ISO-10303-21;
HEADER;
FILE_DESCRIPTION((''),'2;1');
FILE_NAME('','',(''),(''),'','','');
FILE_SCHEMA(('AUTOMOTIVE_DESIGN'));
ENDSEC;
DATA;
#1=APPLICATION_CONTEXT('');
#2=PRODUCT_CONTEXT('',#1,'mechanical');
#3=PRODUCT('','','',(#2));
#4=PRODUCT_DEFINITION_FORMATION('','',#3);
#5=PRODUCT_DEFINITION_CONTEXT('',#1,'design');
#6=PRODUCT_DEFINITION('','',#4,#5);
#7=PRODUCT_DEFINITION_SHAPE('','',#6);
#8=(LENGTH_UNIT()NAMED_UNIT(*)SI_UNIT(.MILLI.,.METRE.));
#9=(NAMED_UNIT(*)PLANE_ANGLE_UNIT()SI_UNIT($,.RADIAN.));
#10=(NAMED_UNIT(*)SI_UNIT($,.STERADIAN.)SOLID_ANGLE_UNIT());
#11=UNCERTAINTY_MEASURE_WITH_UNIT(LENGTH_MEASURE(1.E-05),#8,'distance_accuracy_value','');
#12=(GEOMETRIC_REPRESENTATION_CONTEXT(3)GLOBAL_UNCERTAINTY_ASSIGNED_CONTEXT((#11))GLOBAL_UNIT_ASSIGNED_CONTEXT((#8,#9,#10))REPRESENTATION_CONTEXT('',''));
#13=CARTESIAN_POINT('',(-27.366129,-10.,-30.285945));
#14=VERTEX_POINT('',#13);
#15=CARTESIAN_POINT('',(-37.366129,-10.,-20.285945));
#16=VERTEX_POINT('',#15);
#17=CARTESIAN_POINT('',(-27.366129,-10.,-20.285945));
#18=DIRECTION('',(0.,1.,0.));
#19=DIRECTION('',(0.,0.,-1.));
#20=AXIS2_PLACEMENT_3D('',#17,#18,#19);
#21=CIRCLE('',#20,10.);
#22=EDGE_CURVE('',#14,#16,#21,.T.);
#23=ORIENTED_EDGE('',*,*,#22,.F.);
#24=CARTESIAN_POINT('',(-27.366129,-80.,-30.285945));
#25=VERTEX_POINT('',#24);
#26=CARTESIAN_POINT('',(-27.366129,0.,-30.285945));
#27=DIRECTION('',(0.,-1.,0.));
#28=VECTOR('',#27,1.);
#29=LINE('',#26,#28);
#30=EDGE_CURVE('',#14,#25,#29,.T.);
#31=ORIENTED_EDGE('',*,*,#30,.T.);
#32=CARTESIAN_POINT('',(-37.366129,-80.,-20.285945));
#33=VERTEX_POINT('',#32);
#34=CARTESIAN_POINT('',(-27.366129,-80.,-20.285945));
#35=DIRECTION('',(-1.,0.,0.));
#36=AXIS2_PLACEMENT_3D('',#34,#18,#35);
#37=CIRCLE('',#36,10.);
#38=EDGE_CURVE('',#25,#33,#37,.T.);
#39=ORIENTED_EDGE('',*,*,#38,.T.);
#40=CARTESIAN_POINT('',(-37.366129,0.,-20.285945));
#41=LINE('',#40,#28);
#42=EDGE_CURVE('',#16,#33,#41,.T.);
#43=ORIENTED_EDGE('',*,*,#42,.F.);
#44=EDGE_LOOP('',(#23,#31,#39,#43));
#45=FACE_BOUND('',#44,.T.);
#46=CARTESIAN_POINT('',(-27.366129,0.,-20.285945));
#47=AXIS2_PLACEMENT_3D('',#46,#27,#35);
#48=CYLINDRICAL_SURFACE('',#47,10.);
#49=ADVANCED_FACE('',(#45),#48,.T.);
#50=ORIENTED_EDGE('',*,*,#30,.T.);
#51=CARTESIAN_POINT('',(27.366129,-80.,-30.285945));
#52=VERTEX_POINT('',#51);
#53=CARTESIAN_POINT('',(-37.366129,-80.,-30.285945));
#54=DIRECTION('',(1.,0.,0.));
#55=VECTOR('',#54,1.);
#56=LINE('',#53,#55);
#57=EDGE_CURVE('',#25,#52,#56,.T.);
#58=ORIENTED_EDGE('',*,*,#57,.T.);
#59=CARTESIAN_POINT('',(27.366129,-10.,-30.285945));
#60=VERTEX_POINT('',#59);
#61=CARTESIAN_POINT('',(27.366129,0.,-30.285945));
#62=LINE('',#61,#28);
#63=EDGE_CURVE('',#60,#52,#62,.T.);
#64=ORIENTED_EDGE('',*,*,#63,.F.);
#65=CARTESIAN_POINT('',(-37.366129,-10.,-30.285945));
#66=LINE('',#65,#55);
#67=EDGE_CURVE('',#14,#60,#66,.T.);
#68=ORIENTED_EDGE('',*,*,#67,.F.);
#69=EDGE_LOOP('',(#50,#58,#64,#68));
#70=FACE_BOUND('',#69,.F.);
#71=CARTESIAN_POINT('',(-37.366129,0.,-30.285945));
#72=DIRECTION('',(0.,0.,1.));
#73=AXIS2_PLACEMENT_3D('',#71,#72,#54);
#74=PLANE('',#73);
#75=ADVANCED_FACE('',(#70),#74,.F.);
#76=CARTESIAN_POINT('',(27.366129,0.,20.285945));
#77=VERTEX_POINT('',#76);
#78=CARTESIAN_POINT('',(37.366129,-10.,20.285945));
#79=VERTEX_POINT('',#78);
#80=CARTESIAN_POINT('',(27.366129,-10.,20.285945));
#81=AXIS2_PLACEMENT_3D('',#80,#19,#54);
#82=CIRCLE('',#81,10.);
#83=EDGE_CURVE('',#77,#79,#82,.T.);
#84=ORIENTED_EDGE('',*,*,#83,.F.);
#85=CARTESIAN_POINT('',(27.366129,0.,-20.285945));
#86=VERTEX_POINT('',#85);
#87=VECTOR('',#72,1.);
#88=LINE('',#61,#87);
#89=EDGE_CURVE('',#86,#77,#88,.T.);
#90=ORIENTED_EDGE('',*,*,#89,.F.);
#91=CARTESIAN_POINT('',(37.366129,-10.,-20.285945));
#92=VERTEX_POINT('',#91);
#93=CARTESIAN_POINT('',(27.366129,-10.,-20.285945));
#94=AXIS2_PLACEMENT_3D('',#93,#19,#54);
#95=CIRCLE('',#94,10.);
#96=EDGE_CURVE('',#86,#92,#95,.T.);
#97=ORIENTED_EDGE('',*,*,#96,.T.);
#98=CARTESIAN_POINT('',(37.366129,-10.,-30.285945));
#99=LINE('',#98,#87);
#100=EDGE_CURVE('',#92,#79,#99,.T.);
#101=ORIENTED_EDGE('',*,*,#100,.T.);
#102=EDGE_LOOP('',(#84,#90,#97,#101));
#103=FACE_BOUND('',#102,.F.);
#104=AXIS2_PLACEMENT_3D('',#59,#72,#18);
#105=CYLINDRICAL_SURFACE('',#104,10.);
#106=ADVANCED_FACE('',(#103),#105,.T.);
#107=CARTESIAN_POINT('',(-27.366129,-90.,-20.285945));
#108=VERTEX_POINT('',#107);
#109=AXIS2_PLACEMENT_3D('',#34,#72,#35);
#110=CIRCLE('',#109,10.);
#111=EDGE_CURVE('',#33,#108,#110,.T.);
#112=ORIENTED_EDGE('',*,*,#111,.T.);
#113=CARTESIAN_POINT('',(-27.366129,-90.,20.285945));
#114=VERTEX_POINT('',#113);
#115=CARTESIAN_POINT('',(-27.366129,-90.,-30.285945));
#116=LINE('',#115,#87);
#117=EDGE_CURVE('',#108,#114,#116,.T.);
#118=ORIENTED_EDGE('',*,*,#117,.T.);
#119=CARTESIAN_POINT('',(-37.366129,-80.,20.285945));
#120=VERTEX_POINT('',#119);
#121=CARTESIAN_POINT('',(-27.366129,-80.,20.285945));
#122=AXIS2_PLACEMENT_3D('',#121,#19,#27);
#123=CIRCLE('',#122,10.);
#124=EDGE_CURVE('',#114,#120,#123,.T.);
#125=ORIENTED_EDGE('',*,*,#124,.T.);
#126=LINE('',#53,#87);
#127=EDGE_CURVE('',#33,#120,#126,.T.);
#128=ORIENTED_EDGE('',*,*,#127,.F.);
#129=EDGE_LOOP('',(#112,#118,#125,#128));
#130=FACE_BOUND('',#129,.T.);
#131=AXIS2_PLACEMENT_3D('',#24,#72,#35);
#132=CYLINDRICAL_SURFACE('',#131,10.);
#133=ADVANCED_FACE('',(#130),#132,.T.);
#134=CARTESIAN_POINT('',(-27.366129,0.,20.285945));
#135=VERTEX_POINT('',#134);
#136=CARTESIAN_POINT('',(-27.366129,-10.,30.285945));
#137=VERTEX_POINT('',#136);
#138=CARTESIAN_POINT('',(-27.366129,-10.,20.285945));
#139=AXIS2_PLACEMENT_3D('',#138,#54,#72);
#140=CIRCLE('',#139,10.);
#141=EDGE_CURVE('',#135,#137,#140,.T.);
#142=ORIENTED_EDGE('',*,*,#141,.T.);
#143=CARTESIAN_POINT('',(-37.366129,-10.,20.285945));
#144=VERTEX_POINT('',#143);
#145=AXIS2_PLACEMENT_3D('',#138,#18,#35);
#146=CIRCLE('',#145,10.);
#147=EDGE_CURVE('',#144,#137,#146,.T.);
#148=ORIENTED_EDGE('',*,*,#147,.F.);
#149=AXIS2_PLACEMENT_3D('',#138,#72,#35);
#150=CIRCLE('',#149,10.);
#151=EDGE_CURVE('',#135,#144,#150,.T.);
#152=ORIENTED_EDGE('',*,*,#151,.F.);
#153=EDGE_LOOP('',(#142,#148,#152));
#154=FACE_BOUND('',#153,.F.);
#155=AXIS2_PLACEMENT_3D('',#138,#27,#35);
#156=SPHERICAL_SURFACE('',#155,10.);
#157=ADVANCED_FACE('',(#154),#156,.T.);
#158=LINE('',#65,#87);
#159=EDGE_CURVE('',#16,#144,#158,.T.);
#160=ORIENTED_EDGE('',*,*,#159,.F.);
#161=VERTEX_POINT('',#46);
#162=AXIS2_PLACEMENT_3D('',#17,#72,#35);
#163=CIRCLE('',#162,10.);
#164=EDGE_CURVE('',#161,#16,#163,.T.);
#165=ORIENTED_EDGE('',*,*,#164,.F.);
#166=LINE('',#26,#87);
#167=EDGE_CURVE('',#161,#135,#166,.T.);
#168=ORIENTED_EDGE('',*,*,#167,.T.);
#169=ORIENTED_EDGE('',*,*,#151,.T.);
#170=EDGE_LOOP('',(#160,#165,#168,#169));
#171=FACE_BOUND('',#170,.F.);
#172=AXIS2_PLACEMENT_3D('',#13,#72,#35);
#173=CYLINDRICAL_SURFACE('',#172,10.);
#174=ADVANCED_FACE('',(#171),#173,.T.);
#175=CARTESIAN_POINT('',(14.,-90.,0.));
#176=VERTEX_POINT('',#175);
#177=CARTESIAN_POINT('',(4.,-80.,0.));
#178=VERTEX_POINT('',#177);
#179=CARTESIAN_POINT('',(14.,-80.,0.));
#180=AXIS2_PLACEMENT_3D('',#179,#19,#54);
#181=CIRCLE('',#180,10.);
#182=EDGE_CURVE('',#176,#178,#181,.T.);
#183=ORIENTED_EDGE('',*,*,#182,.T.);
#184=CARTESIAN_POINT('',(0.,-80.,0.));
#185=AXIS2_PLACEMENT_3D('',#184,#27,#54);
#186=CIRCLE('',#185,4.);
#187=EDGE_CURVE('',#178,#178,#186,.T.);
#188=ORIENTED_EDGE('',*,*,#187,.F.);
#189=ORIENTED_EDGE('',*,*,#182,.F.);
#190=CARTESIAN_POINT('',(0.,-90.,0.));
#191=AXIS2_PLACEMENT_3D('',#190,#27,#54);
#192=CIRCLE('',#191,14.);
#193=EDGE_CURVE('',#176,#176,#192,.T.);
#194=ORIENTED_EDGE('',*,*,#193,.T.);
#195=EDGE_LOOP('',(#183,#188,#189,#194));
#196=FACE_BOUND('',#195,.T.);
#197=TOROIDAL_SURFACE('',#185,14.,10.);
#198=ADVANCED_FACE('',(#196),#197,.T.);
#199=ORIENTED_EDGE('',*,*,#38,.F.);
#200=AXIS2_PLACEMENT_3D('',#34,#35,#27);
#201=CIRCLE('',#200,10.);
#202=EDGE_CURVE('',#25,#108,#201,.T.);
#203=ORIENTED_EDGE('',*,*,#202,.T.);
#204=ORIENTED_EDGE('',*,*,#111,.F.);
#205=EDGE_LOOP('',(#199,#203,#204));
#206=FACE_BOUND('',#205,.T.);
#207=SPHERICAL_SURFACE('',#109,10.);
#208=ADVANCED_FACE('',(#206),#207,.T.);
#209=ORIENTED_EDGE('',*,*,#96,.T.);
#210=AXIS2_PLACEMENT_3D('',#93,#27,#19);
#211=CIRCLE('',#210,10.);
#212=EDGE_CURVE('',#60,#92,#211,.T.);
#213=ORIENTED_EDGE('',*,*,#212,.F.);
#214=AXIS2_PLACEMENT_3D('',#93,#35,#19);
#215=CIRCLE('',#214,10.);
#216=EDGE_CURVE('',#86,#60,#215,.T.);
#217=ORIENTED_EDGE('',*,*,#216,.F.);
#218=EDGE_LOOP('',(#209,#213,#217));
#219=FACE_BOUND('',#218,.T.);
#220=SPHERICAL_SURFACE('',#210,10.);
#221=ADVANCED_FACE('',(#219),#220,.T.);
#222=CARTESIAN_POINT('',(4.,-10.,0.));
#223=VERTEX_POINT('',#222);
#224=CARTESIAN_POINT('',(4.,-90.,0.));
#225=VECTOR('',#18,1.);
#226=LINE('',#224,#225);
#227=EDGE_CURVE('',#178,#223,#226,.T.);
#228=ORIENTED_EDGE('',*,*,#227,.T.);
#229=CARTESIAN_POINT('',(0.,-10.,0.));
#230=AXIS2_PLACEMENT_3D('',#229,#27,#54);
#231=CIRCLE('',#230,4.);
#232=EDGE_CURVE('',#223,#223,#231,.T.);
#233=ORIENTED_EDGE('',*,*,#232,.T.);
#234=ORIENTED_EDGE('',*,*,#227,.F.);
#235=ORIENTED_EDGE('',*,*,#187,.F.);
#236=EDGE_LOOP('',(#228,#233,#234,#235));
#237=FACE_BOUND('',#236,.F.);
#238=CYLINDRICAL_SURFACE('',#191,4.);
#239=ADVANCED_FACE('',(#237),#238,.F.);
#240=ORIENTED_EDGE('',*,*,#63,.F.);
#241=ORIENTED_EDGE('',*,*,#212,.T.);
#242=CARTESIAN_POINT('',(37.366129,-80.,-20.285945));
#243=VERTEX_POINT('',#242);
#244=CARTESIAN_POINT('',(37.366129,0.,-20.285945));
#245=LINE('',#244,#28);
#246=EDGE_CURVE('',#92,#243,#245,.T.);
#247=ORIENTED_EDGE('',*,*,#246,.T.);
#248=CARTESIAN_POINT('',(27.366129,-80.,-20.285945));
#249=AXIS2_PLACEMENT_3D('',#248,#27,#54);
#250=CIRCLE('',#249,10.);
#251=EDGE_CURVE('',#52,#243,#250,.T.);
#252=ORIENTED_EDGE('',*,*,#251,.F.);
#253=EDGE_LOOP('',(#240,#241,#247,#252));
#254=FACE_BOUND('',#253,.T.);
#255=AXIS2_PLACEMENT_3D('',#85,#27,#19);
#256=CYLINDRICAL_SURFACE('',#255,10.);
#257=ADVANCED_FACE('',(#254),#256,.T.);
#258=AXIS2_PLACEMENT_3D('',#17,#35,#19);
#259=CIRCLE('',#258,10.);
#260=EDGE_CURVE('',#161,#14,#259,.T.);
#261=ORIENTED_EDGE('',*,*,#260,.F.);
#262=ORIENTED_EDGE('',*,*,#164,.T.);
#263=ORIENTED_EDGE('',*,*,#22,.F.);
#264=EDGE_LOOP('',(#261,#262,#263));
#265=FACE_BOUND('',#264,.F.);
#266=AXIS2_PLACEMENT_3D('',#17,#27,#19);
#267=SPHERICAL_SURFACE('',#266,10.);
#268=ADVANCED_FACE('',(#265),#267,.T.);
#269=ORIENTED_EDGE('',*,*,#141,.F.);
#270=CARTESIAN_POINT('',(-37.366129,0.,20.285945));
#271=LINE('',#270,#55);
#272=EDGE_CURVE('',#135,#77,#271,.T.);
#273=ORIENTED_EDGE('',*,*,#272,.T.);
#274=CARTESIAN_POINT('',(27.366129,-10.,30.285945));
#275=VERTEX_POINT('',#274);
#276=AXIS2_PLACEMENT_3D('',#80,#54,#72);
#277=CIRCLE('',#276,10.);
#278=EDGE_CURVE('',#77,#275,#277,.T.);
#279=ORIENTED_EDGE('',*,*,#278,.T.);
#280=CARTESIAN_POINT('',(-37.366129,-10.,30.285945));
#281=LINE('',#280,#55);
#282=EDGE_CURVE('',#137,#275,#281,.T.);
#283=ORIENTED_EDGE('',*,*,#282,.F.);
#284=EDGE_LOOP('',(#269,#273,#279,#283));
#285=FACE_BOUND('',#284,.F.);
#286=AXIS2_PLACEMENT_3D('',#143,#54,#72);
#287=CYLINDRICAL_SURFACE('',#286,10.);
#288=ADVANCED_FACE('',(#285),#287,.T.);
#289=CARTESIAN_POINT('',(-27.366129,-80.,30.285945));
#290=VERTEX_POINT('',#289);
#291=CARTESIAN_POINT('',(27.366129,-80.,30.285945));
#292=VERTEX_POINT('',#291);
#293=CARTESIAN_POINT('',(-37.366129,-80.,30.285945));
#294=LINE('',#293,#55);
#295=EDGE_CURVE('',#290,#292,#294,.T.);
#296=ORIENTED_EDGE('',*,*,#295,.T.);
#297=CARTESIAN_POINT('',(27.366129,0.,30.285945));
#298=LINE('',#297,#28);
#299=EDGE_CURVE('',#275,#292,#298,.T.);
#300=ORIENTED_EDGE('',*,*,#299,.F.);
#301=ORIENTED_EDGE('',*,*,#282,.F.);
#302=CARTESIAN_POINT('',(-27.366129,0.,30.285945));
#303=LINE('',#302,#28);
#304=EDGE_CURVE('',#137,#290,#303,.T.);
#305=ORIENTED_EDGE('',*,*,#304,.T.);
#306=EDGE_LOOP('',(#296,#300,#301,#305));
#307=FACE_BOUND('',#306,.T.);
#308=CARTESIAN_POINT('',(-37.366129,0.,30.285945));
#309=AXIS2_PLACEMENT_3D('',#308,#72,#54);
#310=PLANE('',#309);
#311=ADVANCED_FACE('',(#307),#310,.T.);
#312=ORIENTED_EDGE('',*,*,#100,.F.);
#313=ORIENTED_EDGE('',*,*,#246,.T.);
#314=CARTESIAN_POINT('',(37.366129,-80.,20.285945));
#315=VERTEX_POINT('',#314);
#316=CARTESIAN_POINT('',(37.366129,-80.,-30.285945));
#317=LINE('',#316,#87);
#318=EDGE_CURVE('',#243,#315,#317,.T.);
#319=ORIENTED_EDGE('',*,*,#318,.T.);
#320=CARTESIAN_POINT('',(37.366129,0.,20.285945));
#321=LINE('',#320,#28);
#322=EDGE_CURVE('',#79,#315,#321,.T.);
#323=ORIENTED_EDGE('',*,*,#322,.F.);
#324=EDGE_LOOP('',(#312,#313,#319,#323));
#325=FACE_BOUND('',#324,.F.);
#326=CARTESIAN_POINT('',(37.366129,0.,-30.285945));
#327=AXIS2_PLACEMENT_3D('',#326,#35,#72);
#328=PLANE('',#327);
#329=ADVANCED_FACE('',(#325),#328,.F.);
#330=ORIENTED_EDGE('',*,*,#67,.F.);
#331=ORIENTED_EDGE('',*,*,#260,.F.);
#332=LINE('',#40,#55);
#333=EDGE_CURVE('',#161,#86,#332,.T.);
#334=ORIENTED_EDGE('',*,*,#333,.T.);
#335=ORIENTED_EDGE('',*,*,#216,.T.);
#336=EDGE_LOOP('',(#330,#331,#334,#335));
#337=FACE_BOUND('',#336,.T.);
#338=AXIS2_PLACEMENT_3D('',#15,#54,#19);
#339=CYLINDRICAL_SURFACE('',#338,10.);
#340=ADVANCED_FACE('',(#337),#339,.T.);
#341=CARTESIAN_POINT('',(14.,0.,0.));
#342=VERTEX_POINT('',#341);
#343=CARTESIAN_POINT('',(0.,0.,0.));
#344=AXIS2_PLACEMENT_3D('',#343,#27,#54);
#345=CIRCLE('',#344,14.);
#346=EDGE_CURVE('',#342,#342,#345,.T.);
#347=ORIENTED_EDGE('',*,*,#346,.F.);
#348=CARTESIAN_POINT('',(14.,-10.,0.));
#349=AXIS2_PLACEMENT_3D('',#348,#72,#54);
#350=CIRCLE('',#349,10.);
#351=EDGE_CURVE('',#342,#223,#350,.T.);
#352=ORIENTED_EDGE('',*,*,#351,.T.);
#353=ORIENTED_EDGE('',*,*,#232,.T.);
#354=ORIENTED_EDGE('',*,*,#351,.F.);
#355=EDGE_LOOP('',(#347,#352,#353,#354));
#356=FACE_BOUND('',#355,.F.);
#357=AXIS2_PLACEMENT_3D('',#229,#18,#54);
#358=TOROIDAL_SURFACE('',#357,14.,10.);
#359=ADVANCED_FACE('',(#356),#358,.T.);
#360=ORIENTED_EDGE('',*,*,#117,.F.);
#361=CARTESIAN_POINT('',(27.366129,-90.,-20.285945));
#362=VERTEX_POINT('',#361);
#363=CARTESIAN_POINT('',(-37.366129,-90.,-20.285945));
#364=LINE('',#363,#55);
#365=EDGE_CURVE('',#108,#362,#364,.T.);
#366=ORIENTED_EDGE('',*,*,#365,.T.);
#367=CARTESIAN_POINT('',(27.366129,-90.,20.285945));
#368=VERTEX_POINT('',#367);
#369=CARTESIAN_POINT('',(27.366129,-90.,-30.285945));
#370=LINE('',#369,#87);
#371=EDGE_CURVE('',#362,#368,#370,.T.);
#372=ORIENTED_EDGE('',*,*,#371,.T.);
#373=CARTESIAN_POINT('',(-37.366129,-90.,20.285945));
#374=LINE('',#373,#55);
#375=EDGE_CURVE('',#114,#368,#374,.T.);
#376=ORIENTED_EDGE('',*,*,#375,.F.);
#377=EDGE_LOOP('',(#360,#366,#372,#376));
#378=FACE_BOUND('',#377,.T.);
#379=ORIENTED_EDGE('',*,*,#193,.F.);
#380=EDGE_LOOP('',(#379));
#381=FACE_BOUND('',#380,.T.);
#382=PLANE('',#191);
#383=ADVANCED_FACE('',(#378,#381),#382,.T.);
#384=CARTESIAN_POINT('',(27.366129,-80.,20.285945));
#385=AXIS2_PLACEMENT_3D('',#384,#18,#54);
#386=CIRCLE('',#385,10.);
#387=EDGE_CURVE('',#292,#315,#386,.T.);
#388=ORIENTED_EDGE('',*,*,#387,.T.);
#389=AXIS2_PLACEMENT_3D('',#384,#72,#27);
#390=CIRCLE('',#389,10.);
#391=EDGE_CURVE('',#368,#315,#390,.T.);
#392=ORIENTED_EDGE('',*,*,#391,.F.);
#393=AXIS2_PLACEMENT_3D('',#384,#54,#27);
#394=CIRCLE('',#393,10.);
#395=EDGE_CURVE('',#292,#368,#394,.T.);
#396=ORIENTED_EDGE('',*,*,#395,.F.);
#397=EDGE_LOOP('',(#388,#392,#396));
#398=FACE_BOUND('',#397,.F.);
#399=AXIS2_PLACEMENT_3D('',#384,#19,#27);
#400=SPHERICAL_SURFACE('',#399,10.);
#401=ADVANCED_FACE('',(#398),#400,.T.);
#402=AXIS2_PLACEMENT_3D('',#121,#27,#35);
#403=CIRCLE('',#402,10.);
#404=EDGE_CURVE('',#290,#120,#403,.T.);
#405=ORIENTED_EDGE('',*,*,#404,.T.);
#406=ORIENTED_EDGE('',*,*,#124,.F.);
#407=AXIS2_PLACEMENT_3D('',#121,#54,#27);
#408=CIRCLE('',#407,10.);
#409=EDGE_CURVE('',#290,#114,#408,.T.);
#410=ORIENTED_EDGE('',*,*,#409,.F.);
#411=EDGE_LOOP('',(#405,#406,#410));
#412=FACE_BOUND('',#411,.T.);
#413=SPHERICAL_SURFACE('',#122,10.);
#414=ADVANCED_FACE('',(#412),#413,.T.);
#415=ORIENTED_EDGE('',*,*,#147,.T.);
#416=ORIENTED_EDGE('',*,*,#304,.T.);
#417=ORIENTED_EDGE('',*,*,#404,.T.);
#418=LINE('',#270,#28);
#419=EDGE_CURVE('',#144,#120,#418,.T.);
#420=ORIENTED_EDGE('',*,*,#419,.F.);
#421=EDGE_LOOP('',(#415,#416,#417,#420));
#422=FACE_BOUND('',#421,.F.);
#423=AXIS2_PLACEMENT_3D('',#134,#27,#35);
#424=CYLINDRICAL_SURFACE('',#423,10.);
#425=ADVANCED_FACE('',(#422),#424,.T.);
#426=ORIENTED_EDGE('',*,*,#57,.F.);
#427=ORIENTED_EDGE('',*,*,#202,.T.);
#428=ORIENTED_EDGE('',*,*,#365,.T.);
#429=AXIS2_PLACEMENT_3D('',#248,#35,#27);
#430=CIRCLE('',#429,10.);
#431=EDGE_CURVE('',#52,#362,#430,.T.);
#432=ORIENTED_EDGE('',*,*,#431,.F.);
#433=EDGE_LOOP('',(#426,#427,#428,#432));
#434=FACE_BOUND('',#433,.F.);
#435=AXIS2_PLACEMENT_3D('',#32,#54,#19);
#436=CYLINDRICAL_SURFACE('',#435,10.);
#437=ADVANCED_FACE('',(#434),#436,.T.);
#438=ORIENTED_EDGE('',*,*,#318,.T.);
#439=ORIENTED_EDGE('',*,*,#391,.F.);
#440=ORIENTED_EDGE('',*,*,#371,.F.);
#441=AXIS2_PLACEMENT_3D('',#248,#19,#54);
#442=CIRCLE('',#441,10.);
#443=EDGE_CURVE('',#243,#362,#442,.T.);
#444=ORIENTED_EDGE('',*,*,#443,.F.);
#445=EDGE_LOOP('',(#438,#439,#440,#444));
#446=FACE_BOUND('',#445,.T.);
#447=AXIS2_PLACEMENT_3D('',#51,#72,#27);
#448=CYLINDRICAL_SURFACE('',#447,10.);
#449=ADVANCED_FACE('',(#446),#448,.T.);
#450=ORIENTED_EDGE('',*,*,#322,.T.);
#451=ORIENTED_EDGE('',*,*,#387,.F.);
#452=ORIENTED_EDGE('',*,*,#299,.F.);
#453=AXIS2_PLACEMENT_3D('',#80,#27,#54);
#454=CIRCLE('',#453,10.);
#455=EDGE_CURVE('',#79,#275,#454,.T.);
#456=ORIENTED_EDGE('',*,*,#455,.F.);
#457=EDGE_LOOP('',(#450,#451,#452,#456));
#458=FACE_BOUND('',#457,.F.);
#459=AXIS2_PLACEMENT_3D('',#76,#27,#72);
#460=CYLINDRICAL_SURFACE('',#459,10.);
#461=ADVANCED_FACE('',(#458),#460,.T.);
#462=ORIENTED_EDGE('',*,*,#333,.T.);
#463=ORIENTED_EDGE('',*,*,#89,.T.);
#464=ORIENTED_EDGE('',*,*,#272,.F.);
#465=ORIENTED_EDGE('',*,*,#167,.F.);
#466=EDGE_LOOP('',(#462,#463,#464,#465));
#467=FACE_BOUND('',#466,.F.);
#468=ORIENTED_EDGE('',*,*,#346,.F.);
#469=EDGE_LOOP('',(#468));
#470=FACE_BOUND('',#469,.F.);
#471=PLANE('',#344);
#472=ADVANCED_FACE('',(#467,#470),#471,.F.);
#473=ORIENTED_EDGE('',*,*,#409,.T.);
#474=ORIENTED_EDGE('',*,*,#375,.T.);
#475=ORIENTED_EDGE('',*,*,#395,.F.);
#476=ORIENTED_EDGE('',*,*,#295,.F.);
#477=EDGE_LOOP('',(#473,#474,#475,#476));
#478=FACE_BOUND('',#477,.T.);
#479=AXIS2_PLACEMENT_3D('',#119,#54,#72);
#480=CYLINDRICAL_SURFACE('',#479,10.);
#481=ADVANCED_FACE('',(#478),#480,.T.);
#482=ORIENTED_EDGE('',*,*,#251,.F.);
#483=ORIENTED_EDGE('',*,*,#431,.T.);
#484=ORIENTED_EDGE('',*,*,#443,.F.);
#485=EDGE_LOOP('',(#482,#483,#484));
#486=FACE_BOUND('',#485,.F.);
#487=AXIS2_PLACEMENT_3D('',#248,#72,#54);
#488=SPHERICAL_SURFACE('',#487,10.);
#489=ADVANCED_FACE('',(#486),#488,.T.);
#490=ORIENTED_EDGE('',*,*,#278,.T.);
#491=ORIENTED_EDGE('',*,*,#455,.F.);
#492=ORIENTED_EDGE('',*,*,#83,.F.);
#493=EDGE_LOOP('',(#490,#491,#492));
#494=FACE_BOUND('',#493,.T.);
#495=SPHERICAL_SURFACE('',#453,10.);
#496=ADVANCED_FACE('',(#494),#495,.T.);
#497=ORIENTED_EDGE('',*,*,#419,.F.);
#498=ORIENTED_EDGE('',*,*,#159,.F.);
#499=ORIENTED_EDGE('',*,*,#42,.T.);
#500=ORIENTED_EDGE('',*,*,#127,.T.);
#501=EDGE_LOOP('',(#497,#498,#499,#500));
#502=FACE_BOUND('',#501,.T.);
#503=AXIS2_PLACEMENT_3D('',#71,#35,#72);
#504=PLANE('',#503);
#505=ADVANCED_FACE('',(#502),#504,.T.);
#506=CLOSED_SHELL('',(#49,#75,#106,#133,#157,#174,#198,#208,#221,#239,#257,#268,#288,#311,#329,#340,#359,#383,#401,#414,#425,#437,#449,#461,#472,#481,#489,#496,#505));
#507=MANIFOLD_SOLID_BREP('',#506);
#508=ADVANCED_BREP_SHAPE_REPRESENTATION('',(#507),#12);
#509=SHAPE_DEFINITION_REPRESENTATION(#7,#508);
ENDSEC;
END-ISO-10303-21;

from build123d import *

# Parameters (mm, degrees)
F0_W     = 74.732258
F0_H     = 60.57189
F1_DEPTH = 90
F2_R     = 4
F3_DEPTH = 90.001
F4_R     = 10


with BuildPart() as f1:
    # F0 (on Front) → F1 (new body)
    with BuildSketch(Plane.XZ):
        Rectangle(F0_W, F0_H)
    extrude(amount=F1_DEPTH)

    # F2 (on face) → F3 (cut, through all)
    with BuildSketch(Plane.XZ.offset(90)):
        Circle(F2_R)
    extrude(amount=-F3_DEPTH, mode=Mode.SUBTRACT)

    # F4
    f4_edges = [f1.edges().sort_by_distance(p)[0] for p in [
        (-37.366129, -90, 0),
        (37.366129, -90, 0),
        (0, -90, 30.285945),
        (-37.366129, -45, -30.285945),
        (37.366129, -45, -30.285945),
        (0, 0, -30.285945),
        (37.366129, -45, 30.285945),
        (37.366129, 0, 0),
        (-37.366129, -45, 30.285945),
        (-37.366129, 0, 0),
        (0, 0, 30.285945),
        (-4, -90, 0),
        (-4, 0, 0),
        (0, -90, -30.285945),
    ]]
    fillet(f4_edges, radius=F4_R)


solid = f1.part
